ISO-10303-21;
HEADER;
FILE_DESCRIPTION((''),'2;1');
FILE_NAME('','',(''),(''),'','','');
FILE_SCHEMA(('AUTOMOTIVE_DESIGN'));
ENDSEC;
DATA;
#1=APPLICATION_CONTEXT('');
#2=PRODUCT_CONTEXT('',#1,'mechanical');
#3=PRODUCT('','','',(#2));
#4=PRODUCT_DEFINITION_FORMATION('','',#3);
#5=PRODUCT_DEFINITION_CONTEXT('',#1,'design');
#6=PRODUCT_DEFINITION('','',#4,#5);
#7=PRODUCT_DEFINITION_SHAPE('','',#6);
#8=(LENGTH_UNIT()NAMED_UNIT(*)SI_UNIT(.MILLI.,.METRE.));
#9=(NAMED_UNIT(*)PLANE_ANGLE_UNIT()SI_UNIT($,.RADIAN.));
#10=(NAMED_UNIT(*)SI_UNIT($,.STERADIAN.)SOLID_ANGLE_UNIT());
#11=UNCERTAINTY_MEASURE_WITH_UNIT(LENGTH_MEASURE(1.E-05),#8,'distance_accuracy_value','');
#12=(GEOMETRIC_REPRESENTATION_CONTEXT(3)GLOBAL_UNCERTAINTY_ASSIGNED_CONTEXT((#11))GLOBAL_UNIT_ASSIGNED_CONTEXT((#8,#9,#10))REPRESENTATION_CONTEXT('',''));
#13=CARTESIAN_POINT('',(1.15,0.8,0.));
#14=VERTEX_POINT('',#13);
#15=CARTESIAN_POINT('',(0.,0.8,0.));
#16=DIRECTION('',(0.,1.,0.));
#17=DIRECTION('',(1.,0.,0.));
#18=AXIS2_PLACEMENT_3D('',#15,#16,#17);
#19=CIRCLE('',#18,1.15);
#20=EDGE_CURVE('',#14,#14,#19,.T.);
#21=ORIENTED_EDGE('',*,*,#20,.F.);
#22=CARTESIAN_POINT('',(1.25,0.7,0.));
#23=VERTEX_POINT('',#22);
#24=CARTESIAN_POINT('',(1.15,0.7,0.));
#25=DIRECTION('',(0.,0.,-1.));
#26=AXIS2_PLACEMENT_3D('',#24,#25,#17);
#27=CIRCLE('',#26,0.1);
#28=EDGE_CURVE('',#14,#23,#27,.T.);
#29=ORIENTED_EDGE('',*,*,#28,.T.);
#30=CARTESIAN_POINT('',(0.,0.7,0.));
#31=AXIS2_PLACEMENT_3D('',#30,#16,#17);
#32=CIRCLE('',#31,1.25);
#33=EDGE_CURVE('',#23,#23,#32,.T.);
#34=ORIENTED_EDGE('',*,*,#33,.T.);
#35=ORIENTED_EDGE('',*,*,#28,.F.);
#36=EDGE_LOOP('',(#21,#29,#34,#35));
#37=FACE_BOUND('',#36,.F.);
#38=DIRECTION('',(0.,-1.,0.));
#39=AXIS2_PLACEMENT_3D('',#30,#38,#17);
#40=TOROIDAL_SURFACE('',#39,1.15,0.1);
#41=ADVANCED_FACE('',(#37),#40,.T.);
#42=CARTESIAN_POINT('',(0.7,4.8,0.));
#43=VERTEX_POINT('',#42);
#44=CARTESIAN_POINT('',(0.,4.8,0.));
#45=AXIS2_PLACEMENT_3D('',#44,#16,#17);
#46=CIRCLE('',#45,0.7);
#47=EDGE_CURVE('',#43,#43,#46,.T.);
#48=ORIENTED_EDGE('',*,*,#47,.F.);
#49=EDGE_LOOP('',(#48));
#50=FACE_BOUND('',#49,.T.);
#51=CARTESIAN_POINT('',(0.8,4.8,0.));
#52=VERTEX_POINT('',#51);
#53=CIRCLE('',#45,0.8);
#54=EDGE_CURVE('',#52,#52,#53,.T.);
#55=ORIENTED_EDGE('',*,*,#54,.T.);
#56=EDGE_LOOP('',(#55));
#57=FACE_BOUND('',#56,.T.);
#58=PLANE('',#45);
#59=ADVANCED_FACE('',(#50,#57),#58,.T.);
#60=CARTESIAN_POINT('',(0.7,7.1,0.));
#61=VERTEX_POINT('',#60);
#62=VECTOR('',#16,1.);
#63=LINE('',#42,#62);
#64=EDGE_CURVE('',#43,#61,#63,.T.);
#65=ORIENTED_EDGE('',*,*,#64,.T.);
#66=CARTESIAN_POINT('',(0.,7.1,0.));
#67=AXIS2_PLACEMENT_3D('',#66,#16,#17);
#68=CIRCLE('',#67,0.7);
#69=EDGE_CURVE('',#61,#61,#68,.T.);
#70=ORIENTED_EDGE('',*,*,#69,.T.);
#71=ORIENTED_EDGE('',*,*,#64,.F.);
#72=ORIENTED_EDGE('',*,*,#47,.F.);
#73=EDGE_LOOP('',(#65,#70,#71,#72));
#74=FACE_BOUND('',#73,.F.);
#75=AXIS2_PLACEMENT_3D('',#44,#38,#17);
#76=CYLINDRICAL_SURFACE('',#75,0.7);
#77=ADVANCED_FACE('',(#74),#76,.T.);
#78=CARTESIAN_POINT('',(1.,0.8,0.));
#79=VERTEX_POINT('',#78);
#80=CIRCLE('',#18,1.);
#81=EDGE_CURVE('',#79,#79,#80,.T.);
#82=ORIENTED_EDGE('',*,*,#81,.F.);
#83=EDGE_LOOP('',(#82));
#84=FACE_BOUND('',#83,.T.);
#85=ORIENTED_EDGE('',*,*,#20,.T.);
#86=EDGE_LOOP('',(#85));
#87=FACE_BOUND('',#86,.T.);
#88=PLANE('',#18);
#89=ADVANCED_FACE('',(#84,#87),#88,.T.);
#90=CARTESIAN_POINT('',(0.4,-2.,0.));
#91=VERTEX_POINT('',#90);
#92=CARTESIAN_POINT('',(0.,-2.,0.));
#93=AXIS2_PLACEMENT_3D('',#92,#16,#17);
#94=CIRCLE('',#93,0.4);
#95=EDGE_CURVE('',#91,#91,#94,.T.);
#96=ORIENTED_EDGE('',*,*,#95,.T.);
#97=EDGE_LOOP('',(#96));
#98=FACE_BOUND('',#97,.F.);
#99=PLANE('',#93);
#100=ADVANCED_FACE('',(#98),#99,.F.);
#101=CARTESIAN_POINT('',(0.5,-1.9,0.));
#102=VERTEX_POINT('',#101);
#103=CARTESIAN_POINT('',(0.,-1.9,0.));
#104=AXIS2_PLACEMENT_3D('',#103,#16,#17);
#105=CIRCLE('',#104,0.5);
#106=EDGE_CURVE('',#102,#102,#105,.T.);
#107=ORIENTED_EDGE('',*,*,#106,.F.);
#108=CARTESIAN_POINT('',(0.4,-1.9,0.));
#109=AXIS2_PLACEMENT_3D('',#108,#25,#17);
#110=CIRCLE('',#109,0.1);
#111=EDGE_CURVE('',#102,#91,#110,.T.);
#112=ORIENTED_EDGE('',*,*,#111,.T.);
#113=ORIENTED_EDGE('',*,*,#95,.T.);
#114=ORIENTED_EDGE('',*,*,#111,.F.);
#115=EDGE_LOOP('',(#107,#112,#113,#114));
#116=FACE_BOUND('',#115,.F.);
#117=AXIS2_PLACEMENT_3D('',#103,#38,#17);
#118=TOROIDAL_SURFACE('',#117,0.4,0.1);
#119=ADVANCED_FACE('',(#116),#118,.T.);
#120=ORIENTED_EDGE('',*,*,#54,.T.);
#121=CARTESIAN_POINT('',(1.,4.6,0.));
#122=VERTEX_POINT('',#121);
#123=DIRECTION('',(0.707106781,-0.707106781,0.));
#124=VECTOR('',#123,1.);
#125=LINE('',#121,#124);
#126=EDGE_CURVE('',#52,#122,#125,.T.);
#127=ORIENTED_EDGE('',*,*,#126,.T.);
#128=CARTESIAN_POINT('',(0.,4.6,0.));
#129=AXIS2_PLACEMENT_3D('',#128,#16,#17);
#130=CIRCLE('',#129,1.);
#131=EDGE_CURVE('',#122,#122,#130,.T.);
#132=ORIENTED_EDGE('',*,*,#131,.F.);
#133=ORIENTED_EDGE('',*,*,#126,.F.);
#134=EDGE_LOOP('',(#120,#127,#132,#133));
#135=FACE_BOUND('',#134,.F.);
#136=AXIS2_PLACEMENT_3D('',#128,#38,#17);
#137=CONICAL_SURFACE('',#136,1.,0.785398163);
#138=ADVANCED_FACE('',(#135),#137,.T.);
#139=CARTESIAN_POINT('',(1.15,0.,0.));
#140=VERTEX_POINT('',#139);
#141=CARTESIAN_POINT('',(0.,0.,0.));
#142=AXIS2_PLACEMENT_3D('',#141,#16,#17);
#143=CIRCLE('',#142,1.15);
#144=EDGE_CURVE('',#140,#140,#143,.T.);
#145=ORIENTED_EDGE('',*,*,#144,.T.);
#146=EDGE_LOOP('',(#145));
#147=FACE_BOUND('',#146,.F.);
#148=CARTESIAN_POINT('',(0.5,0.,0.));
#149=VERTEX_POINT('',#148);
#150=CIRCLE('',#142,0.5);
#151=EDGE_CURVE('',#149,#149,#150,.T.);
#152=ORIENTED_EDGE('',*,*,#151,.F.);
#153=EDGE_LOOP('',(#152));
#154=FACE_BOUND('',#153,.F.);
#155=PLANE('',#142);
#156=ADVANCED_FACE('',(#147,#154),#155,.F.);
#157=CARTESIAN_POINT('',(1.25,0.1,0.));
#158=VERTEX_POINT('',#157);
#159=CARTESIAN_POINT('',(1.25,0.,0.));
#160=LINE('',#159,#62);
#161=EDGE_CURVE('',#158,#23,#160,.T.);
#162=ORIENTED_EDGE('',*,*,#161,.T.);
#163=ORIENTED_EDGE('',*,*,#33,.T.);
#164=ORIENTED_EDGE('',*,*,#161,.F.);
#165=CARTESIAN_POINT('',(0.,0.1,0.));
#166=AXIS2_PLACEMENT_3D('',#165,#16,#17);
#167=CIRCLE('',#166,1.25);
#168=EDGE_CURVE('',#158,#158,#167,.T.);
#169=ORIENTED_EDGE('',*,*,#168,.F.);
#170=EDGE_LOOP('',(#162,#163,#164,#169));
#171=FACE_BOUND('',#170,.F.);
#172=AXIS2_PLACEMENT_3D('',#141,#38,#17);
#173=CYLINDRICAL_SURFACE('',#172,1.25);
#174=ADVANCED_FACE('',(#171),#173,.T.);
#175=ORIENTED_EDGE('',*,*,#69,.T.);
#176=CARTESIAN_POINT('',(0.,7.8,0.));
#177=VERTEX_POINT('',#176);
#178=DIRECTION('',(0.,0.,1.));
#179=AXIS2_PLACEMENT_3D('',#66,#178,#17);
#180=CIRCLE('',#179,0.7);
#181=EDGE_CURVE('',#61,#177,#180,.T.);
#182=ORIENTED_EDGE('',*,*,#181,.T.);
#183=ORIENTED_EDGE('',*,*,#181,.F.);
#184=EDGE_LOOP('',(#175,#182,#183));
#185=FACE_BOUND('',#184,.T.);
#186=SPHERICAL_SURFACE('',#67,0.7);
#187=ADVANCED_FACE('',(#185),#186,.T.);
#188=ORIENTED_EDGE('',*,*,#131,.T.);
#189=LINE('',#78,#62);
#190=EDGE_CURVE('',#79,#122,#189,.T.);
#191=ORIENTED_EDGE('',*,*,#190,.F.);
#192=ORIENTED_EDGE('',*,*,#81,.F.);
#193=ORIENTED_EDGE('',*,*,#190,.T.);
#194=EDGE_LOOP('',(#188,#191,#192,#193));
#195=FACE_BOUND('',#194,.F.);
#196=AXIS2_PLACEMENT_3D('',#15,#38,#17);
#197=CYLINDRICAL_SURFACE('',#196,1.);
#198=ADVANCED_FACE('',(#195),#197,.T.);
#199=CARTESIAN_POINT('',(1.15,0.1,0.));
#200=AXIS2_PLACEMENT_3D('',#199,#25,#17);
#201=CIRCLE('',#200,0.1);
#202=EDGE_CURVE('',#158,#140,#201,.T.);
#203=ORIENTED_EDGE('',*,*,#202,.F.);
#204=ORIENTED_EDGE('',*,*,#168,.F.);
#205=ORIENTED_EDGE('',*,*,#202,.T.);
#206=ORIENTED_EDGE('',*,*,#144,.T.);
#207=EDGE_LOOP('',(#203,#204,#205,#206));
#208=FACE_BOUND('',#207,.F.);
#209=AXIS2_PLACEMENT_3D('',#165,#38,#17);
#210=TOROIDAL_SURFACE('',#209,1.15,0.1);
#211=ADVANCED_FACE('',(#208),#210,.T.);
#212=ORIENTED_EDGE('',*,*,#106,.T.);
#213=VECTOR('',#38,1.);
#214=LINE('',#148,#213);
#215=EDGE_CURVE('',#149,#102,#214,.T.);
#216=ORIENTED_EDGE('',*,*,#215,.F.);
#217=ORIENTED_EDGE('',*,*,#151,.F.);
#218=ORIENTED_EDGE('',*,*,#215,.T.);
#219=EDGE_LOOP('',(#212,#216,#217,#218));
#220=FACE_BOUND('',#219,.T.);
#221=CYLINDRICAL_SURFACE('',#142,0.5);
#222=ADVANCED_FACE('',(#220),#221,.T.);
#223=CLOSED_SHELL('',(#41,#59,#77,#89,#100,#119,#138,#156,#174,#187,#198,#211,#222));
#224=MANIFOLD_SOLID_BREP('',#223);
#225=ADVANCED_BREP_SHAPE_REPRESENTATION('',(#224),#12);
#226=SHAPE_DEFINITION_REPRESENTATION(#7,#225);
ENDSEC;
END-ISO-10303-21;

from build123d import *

# Parameters (mm, degrees)
SKETCH_1_R      = 0.5
EXTRUDE_1_DEPTH = 2
SKETCH_2_R      = 1.25
EXTRUDE_2_DEPTH = 0.8
SKETCH_3_R      = 1
EXTRUDE_3_DEPTH = 4
SKETCH_4_R      = 0.7
EXTRUDE_4_DEPTH = 3
FILLET_1_R      = 0.7
CHAMFER_1_SIZE  = 0.2
FILLET_2_R      = 0.1


with BuildPart() as part:
    # 草图1 → 凸台-拉伸1 (new body)
    with BuildSketch(Plane(origin=(0, 0, 0), x_dir=(1, 0, 0), z_dir=(0, 1, 0))):
        Circle(SKETCH_1_R)
    extrude(amount=-EXTRUDE_1_DEPTH)

    # 草图2 → 凸台-拉伸2 (add)
    with BuildSketch(Plane(origin=(0, 0, 0), x_dir=(1, 0, 0), z_dir=(0, 1, 0))):
        Circle(SKETCH_2_R)
    extrude(amount=EXTRUDE_2_DEPTH)

    # 草图3 → 凸台-拉伸3 (add)
    with BuildSketch(Plane(origin=(0, 0.8, 0), x_dir=(1, 0, 0), z_dir=(0, 1, 0))):
        Circle(SKETCH_3_R)
    extrude(amount=EXTRUDE_3_DEPTH)

    # 草图4 → 凸台-拉伸4 (add)
    with BuildSketch(Plane(origin=(0, 4.8, 0), x_dir=(1, 0, 0), z_dir=(0, 1, 0))):
        Circle(SKETCH_4_R)
    extrude(amount=EXTRUDE_4_DEPTH)

    # 圆角1
    fillet_1_edges = [part.edges().sort_by_distance(p)[0] for p in [
        (-0.7, 7.8, 0),
    ]]
    fillet(fillet_1_edges, radius=FILLET_1_R)

    # 倒角1
    chamfer_1_edges = [part.edges().sort_by_distance(p)[0] for p in [
        (-1, 4.8, 0),
    ]]
    chamfer(chamfer_1_edges, length=CHAMFER_1_SIZE)

    # 圆角2
    fillet_2_edges = [part.edges().sort_by_distance(p)[0] for p in [
        (-0.5, -2, 0),
        (-1.25, 0, 0),
        (-1.25, 0.8, 0),
    ]]
    fillet(fillet_2_edges, radius=FILLET_2_R)


solid = part.part
